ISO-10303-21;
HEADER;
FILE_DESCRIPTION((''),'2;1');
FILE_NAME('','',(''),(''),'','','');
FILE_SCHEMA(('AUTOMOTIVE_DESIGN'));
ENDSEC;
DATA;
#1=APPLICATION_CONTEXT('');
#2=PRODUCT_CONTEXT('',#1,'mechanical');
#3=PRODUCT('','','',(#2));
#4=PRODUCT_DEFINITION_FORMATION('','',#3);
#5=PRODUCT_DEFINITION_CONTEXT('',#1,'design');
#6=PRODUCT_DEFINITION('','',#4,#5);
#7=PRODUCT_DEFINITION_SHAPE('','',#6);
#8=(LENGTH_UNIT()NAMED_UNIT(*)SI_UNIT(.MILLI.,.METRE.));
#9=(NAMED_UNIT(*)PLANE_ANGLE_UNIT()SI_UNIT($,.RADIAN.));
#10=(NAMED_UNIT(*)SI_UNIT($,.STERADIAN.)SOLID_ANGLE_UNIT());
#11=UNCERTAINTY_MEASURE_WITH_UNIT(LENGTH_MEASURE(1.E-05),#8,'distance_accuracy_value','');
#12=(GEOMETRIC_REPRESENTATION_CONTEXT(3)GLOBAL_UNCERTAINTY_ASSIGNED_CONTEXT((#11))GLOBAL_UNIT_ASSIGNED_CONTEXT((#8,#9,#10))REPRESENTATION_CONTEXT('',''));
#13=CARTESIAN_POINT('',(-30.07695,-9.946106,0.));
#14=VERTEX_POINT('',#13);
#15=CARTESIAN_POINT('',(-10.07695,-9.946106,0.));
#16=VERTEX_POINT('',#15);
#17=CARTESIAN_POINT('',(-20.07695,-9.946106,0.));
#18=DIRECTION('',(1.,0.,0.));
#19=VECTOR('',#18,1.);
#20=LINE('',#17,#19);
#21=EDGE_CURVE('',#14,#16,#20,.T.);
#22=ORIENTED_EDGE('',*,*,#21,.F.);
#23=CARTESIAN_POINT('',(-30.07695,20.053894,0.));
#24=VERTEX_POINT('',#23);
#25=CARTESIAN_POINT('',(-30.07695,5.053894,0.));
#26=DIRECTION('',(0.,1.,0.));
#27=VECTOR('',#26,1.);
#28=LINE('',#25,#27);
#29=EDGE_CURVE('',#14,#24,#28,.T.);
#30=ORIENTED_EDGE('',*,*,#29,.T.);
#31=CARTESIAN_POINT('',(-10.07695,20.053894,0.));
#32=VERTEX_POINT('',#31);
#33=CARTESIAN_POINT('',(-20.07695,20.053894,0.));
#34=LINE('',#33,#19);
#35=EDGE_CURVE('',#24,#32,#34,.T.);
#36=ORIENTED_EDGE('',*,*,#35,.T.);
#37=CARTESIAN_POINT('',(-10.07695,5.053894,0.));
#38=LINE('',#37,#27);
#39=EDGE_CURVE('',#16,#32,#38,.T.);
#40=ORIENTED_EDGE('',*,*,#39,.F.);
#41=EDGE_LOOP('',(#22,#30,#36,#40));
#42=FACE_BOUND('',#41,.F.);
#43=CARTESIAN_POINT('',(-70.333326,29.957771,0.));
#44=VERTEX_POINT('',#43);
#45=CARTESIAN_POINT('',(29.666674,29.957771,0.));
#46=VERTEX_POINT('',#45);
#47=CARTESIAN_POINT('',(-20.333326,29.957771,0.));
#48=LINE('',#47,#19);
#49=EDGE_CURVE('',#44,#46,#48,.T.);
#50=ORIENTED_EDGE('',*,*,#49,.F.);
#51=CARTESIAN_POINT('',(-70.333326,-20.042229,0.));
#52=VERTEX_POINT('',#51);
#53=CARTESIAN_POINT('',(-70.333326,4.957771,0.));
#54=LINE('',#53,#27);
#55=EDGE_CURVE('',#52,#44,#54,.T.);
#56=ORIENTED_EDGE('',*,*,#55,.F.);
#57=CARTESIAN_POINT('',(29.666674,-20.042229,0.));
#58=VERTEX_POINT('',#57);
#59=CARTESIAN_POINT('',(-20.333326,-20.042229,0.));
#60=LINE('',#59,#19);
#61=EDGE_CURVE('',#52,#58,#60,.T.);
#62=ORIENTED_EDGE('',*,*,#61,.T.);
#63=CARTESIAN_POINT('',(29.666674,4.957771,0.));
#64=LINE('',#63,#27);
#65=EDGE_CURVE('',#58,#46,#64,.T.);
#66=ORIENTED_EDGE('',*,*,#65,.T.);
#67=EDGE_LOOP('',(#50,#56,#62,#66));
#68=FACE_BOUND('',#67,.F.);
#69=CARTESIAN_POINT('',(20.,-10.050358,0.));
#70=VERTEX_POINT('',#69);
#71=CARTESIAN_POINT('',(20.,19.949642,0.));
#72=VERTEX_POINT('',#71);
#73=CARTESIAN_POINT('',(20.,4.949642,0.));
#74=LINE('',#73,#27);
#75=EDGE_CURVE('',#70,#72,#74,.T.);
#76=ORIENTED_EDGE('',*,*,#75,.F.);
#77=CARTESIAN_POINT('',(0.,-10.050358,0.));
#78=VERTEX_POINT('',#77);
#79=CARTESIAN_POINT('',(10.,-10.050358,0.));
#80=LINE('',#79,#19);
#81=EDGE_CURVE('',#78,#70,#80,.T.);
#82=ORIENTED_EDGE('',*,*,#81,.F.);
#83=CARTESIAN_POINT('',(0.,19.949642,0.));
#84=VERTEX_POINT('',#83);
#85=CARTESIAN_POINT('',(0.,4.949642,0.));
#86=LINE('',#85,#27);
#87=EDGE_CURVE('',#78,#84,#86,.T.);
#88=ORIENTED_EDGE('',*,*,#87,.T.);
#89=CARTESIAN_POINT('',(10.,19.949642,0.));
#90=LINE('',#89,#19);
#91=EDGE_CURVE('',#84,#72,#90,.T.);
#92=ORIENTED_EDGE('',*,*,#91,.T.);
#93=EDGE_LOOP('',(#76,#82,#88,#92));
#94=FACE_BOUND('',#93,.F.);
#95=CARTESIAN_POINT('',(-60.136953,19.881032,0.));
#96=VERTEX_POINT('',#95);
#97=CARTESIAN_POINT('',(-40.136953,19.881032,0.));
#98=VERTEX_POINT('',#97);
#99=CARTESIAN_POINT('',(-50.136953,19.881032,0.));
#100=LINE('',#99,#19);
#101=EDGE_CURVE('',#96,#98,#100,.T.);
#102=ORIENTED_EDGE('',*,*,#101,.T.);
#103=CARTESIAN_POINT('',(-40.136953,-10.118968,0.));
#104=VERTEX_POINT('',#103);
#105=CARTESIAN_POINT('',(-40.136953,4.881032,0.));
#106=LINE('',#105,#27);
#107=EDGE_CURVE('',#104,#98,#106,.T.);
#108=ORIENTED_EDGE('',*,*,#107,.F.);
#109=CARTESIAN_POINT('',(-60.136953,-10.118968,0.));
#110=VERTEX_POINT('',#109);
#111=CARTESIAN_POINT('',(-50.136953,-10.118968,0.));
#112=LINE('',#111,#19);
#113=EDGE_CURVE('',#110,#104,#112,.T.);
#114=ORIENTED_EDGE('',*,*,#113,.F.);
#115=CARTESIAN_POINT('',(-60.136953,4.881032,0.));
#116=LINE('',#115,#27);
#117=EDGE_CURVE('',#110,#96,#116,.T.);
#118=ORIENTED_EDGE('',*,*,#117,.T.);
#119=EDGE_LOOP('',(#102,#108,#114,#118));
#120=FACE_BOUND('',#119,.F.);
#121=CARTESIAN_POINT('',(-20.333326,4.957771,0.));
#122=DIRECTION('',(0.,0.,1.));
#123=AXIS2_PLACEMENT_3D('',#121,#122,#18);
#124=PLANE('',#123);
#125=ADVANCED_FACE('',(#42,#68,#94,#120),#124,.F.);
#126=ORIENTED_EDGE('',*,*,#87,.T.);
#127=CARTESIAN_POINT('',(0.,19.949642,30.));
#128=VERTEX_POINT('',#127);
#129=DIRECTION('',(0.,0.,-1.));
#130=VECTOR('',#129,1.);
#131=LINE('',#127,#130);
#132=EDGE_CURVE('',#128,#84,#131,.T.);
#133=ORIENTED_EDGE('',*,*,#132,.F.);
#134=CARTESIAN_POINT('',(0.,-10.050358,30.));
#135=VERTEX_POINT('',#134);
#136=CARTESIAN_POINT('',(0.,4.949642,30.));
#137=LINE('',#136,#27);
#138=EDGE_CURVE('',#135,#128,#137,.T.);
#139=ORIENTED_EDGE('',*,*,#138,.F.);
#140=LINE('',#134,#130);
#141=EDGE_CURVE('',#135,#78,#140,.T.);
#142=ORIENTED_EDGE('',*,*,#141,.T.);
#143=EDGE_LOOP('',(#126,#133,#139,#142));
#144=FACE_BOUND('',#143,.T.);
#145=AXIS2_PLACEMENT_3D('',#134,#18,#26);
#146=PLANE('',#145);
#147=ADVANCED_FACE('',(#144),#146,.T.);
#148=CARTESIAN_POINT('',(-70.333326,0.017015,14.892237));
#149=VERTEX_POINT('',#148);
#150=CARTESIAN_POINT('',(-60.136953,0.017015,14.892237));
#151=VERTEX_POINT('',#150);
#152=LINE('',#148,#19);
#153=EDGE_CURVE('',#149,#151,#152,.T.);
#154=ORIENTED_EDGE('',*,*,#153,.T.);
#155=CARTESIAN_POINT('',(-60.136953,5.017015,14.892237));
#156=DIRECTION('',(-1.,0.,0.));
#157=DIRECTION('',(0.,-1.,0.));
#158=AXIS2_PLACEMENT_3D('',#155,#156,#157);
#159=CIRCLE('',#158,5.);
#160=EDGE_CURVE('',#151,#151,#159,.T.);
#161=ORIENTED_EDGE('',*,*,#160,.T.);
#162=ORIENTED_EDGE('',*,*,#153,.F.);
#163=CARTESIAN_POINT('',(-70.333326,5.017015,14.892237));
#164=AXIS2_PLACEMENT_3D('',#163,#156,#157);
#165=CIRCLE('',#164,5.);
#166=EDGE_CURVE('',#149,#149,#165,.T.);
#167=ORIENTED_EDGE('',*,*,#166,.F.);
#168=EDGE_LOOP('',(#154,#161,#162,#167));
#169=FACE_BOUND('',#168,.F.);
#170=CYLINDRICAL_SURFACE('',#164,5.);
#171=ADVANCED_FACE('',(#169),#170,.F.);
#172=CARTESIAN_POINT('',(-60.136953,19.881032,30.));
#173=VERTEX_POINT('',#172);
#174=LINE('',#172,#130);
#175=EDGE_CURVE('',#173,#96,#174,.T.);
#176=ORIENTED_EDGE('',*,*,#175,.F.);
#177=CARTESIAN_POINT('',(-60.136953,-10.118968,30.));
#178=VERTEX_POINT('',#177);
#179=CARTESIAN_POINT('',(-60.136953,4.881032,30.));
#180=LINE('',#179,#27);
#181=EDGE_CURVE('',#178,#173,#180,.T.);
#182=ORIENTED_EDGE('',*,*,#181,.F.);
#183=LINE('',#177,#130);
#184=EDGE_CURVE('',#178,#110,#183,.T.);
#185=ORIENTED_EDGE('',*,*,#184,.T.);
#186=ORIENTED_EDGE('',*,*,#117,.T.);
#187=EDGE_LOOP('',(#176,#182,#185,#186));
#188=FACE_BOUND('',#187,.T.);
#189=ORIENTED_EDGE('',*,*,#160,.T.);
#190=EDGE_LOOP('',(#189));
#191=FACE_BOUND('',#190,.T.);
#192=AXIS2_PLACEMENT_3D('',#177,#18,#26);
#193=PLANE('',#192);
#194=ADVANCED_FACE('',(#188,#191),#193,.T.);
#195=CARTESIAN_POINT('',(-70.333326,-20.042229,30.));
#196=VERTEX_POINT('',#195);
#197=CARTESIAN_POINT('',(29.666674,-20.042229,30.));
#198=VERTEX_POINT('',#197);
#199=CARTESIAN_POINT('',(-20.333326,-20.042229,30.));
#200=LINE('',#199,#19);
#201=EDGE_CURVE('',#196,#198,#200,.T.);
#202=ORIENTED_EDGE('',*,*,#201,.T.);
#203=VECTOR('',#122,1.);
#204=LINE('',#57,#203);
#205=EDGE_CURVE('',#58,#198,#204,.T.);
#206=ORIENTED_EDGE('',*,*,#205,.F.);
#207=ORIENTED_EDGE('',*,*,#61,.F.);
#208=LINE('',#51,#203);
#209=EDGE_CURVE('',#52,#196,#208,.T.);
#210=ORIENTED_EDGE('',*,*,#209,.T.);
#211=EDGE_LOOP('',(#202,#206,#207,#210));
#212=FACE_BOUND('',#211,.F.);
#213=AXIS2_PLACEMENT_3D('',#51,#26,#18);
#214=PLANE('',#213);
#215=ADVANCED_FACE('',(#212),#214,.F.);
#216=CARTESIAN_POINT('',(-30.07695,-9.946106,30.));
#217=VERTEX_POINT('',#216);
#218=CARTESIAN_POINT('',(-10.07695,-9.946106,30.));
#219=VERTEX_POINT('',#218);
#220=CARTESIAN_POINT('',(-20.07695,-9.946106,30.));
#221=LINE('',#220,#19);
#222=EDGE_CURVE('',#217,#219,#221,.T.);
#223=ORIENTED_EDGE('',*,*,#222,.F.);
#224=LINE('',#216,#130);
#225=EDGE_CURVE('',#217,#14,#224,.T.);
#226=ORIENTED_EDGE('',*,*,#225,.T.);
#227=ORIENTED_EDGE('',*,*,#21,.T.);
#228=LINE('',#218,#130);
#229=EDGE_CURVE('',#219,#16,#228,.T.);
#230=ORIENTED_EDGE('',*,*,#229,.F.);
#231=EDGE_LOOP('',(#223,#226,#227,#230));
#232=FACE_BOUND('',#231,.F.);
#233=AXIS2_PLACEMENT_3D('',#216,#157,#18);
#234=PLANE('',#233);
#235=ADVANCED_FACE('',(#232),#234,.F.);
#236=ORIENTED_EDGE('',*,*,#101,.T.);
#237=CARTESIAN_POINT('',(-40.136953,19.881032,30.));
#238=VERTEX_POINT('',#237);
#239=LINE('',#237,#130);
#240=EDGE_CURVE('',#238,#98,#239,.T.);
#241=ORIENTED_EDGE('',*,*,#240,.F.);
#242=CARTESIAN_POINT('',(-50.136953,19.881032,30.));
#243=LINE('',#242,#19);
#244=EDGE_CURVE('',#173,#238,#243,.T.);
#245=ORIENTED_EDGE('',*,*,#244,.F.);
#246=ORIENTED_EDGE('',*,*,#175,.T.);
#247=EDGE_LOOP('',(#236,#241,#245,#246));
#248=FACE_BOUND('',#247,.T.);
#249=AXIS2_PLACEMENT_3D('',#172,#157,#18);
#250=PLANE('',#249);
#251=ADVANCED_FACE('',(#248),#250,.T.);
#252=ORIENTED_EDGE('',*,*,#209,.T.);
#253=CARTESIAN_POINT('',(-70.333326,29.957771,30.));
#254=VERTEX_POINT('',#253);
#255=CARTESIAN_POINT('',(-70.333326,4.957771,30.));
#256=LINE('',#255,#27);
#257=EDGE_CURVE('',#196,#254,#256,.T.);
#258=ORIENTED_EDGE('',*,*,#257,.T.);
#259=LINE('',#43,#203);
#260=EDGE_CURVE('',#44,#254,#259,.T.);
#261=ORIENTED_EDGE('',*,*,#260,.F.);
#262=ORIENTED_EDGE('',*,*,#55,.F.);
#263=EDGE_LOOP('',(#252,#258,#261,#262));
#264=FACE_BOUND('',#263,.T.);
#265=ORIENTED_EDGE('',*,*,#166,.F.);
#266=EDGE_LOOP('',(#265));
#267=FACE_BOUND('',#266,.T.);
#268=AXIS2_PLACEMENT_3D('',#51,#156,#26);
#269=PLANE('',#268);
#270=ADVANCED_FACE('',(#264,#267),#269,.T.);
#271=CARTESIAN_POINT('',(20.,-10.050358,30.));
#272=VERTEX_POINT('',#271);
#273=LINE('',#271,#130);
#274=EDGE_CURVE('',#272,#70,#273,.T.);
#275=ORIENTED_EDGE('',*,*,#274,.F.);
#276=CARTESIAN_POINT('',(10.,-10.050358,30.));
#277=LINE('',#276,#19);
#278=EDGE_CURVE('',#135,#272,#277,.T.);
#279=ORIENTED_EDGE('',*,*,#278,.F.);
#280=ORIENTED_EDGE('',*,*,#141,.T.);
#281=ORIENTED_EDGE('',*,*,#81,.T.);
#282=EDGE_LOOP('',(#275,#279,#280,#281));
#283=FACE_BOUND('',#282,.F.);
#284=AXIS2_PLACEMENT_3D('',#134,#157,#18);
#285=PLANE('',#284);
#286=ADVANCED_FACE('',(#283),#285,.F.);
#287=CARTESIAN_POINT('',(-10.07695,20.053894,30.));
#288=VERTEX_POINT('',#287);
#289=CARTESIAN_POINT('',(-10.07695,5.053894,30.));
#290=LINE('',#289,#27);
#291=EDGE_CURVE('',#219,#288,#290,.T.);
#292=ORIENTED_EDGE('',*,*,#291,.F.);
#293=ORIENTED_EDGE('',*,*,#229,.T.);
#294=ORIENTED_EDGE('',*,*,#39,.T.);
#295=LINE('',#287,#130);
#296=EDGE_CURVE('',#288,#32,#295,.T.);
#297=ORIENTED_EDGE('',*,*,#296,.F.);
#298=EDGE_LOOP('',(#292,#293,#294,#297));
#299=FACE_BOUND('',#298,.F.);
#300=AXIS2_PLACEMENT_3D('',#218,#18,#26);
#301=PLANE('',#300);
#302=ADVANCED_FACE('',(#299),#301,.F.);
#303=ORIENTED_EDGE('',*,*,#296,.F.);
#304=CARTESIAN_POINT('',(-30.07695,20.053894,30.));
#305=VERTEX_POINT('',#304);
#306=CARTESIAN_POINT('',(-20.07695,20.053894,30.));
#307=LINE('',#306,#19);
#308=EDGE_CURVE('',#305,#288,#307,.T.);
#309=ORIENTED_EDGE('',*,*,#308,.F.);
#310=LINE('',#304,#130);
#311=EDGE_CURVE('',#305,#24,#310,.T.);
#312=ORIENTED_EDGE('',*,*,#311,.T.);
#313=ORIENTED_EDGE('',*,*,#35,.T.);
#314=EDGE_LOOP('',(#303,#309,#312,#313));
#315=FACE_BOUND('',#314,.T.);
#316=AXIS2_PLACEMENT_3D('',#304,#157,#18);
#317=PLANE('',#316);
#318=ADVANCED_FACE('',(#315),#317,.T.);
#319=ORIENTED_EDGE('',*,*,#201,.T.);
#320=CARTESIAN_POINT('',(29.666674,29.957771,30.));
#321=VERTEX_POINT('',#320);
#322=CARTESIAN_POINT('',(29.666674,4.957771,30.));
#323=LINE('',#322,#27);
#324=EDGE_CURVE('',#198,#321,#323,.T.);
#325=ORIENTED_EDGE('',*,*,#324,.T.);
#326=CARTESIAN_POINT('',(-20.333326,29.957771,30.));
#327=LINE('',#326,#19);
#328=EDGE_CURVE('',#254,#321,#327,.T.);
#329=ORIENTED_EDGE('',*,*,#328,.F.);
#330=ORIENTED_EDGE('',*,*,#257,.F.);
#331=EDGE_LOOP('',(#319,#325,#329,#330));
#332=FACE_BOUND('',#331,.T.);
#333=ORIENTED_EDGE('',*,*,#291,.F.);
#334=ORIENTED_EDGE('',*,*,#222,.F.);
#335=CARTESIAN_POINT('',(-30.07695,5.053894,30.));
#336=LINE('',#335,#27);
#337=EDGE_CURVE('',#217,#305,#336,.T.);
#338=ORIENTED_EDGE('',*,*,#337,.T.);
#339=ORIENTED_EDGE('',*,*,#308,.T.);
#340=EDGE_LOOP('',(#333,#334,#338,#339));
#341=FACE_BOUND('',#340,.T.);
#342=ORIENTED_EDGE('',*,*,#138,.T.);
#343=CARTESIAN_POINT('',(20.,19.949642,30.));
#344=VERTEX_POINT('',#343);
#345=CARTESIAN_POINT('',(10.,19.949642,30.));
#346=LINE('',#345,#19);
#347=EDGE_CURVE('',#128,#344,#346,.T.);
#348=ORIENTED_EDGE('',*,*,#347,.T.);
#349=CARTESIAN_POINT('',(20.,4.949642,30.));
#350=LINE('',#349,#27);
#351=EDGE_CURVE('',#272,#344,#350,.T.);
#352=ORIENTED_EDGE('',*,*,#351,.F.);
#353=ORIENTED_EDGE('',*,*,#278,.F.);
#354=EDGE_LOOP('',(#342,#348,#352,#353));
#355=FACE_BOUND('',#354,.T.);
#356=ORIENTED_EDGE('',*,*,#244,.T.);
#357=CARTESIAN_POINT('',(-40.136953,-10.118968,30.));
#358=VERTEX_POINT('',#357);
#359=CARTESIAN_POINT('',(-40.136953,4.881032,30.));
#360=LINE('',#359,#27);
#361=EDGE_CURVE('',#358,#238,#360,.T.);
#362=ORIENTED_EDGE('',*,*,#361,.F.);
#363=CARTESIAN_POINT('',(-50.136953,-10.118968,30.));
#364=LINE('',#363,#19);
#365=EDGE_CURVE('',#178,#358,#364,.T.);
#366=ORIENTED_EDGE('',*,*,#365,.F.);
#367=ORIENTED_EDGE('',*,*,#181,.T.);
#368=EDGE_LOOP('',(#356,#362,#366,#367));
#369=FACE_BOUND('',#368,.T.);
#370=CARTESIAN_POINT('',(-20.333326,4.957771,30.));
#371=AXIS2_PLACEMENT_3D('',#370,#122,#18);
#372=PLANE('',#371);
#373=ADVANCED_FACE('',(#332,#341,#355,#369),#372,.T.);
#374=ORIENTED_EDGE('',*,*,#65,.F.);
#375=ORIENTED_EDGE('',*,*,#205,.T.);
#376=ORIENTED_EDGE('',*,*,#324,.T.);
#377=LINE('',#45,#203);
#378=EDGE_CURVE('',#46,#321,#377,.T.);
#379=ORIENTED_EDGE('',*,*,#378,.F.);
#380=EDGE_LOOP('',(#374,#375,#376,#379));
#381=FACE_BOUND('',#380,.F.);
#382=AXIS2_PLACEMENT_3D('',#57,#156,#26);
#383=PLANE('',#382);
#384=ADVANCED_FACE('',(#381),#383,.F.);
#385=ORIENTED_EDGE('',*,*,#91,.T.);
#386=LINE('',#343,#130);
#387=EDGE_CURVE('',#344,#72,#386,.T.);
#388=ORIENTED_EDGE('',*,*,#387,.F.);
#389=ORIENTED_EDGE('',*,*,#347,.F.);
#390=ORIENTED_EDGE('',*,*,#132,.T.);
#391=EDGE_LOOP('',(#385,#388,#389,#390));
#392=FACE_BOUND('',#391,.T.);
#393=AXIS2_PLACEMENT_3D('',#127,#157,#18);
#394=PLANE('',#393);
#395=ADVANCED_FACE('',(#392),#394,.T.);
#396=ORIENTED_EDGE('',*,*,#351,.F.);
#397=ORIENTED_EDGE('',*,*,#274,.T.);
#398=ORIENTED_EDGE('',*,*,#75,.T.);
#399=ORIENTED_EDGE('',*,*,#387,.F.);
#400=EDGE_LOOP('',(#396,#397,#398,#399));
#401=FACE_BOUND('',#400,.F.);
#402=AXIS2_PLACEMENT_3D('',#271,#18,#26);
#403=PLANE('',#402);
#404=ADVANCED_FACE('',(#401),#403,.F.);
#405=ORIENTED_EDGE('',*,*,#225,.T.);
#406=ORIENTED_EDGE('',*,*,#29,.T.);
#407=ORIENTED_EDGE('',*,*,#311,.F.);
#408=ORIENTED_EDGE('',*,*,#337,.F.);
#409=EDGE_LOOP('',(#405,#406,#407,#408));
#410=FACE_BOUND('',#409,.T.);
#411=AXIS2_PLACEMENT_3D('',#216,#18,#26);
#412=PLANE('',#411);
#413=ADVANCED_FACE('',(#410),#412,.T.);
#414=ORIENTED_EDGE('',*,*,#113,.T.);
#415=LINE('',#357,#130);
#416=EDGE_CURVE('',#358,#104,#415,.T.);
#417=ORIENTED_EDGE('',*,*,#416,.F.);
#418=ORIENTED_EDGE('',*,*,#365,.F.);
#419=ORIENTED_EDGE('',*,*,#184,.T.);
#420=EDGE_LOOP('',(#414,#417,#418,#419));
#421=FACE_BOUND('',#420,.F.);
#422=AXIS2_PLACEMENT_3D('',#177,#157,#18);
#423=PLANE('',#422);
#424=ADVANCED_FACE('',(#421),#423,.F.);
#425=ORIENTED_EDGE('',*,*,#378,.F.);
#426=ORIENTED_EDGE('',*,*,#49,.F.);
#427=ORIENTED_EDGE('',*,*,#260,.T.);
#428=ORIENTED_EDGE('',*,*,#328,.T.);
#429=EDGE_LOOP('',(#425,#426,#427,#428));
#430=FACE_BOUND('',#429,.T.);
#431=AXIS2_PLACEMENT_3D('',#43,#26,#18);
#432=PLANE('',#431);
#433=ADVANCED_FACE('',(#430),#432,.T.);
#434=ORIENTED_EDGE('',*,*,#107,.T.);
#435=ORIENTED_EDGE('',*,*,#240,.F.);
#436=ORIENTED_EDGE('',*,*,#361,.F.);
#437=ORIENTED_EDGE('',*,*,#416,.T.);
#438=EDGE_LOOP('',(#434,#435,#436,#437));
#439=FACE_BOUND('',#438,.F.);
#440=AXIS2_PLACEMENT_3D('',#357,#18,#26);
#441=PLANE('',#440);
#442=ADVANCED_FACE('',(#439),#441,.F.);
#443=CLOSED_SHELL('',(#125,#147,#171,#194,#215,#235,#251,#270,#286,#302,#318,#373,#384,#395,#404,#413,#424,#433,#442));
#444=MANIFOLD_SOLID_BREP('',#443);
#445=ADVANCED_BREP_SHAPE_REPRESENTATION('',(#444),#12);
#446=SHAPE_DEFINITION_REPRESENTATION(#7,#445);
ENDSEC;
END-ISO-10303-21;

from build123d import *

# Parameters (mm, degrees)
SKETCH_W        = 100
SKETCH_H        = 50
PAD_DEPTH       = 30
SKETCH002_W     = 20
SKETCH002_H     = 30
POCKET_DEPTH    = 30
SKETCH003_W     = 20
SKETCH003_H     = 30
POCKET001_DEPTH = 30
SKETCH004_W     = 20
SKETCH004_H     = 30
POCKET002_DEPTH = 30
SKETCH005_R     = 5
POCKET003_DEPTH = 18


with BuildPart() as part:
    # Sketch → Pad (new body)
    with BuildSketch(Plane.XY):
        with Locations((-20.333326, 4.957771)):
            Rectangle(SKETCH_W, SKETCH_H)
    extrude(amount=PAD_DEPTH)

    # Sketch002 (on Face6 of Pad) → Pocket (cut)
    with BuildSketch(Plane.XY.offset(30)):
        with Locations((-50.136953, 4.881032)):
            Rectangle(SKETCH002_W, SKETCH002_H)
    extrude(amount=-POCKET_DEPTH, mode=Mode.SUBTRACT)

    # Sketch003 (on Face5 of Pocket) → Pocket001 (cut)
    with BuildSketch(Plane.XY.offset(30)):
        with Locations((-20.07695, 5.053894)):
            Rectangle(SKETCH003_W, SKETCH003_H)
    extrude(amount=-POCKET001_DEPTH, mode=Mode.SUBTRACT)

    # Sketch004 (on Face5 of Pocket001) → Pocket002 (cut)
    with BuildSketch(Plane.XY.offset(30)):
        with Locations((10, 4.949642)):
            Rectangle(SKETCH004_W, SKETCH004_H)
    extrude(amount=-POCKET002_DEPTH, mode=Mode.SUBTRACT)

    # Sketch005 (on Face1 of Pocket002) → Pocket003 (cut)
    with BuildSketch(Plane(origin=(-70.333326, 0, 0), x_dir=(0, -1, 0), z_dir=(-1, 0, 0))):
        with Locations((-5.017015, 14.892237)):
            Circle(SKETCH005_R)
    extrude(amount=-POCKET003_DEPTH, mode=Mode.SUBTRACT)


solid = part.part
